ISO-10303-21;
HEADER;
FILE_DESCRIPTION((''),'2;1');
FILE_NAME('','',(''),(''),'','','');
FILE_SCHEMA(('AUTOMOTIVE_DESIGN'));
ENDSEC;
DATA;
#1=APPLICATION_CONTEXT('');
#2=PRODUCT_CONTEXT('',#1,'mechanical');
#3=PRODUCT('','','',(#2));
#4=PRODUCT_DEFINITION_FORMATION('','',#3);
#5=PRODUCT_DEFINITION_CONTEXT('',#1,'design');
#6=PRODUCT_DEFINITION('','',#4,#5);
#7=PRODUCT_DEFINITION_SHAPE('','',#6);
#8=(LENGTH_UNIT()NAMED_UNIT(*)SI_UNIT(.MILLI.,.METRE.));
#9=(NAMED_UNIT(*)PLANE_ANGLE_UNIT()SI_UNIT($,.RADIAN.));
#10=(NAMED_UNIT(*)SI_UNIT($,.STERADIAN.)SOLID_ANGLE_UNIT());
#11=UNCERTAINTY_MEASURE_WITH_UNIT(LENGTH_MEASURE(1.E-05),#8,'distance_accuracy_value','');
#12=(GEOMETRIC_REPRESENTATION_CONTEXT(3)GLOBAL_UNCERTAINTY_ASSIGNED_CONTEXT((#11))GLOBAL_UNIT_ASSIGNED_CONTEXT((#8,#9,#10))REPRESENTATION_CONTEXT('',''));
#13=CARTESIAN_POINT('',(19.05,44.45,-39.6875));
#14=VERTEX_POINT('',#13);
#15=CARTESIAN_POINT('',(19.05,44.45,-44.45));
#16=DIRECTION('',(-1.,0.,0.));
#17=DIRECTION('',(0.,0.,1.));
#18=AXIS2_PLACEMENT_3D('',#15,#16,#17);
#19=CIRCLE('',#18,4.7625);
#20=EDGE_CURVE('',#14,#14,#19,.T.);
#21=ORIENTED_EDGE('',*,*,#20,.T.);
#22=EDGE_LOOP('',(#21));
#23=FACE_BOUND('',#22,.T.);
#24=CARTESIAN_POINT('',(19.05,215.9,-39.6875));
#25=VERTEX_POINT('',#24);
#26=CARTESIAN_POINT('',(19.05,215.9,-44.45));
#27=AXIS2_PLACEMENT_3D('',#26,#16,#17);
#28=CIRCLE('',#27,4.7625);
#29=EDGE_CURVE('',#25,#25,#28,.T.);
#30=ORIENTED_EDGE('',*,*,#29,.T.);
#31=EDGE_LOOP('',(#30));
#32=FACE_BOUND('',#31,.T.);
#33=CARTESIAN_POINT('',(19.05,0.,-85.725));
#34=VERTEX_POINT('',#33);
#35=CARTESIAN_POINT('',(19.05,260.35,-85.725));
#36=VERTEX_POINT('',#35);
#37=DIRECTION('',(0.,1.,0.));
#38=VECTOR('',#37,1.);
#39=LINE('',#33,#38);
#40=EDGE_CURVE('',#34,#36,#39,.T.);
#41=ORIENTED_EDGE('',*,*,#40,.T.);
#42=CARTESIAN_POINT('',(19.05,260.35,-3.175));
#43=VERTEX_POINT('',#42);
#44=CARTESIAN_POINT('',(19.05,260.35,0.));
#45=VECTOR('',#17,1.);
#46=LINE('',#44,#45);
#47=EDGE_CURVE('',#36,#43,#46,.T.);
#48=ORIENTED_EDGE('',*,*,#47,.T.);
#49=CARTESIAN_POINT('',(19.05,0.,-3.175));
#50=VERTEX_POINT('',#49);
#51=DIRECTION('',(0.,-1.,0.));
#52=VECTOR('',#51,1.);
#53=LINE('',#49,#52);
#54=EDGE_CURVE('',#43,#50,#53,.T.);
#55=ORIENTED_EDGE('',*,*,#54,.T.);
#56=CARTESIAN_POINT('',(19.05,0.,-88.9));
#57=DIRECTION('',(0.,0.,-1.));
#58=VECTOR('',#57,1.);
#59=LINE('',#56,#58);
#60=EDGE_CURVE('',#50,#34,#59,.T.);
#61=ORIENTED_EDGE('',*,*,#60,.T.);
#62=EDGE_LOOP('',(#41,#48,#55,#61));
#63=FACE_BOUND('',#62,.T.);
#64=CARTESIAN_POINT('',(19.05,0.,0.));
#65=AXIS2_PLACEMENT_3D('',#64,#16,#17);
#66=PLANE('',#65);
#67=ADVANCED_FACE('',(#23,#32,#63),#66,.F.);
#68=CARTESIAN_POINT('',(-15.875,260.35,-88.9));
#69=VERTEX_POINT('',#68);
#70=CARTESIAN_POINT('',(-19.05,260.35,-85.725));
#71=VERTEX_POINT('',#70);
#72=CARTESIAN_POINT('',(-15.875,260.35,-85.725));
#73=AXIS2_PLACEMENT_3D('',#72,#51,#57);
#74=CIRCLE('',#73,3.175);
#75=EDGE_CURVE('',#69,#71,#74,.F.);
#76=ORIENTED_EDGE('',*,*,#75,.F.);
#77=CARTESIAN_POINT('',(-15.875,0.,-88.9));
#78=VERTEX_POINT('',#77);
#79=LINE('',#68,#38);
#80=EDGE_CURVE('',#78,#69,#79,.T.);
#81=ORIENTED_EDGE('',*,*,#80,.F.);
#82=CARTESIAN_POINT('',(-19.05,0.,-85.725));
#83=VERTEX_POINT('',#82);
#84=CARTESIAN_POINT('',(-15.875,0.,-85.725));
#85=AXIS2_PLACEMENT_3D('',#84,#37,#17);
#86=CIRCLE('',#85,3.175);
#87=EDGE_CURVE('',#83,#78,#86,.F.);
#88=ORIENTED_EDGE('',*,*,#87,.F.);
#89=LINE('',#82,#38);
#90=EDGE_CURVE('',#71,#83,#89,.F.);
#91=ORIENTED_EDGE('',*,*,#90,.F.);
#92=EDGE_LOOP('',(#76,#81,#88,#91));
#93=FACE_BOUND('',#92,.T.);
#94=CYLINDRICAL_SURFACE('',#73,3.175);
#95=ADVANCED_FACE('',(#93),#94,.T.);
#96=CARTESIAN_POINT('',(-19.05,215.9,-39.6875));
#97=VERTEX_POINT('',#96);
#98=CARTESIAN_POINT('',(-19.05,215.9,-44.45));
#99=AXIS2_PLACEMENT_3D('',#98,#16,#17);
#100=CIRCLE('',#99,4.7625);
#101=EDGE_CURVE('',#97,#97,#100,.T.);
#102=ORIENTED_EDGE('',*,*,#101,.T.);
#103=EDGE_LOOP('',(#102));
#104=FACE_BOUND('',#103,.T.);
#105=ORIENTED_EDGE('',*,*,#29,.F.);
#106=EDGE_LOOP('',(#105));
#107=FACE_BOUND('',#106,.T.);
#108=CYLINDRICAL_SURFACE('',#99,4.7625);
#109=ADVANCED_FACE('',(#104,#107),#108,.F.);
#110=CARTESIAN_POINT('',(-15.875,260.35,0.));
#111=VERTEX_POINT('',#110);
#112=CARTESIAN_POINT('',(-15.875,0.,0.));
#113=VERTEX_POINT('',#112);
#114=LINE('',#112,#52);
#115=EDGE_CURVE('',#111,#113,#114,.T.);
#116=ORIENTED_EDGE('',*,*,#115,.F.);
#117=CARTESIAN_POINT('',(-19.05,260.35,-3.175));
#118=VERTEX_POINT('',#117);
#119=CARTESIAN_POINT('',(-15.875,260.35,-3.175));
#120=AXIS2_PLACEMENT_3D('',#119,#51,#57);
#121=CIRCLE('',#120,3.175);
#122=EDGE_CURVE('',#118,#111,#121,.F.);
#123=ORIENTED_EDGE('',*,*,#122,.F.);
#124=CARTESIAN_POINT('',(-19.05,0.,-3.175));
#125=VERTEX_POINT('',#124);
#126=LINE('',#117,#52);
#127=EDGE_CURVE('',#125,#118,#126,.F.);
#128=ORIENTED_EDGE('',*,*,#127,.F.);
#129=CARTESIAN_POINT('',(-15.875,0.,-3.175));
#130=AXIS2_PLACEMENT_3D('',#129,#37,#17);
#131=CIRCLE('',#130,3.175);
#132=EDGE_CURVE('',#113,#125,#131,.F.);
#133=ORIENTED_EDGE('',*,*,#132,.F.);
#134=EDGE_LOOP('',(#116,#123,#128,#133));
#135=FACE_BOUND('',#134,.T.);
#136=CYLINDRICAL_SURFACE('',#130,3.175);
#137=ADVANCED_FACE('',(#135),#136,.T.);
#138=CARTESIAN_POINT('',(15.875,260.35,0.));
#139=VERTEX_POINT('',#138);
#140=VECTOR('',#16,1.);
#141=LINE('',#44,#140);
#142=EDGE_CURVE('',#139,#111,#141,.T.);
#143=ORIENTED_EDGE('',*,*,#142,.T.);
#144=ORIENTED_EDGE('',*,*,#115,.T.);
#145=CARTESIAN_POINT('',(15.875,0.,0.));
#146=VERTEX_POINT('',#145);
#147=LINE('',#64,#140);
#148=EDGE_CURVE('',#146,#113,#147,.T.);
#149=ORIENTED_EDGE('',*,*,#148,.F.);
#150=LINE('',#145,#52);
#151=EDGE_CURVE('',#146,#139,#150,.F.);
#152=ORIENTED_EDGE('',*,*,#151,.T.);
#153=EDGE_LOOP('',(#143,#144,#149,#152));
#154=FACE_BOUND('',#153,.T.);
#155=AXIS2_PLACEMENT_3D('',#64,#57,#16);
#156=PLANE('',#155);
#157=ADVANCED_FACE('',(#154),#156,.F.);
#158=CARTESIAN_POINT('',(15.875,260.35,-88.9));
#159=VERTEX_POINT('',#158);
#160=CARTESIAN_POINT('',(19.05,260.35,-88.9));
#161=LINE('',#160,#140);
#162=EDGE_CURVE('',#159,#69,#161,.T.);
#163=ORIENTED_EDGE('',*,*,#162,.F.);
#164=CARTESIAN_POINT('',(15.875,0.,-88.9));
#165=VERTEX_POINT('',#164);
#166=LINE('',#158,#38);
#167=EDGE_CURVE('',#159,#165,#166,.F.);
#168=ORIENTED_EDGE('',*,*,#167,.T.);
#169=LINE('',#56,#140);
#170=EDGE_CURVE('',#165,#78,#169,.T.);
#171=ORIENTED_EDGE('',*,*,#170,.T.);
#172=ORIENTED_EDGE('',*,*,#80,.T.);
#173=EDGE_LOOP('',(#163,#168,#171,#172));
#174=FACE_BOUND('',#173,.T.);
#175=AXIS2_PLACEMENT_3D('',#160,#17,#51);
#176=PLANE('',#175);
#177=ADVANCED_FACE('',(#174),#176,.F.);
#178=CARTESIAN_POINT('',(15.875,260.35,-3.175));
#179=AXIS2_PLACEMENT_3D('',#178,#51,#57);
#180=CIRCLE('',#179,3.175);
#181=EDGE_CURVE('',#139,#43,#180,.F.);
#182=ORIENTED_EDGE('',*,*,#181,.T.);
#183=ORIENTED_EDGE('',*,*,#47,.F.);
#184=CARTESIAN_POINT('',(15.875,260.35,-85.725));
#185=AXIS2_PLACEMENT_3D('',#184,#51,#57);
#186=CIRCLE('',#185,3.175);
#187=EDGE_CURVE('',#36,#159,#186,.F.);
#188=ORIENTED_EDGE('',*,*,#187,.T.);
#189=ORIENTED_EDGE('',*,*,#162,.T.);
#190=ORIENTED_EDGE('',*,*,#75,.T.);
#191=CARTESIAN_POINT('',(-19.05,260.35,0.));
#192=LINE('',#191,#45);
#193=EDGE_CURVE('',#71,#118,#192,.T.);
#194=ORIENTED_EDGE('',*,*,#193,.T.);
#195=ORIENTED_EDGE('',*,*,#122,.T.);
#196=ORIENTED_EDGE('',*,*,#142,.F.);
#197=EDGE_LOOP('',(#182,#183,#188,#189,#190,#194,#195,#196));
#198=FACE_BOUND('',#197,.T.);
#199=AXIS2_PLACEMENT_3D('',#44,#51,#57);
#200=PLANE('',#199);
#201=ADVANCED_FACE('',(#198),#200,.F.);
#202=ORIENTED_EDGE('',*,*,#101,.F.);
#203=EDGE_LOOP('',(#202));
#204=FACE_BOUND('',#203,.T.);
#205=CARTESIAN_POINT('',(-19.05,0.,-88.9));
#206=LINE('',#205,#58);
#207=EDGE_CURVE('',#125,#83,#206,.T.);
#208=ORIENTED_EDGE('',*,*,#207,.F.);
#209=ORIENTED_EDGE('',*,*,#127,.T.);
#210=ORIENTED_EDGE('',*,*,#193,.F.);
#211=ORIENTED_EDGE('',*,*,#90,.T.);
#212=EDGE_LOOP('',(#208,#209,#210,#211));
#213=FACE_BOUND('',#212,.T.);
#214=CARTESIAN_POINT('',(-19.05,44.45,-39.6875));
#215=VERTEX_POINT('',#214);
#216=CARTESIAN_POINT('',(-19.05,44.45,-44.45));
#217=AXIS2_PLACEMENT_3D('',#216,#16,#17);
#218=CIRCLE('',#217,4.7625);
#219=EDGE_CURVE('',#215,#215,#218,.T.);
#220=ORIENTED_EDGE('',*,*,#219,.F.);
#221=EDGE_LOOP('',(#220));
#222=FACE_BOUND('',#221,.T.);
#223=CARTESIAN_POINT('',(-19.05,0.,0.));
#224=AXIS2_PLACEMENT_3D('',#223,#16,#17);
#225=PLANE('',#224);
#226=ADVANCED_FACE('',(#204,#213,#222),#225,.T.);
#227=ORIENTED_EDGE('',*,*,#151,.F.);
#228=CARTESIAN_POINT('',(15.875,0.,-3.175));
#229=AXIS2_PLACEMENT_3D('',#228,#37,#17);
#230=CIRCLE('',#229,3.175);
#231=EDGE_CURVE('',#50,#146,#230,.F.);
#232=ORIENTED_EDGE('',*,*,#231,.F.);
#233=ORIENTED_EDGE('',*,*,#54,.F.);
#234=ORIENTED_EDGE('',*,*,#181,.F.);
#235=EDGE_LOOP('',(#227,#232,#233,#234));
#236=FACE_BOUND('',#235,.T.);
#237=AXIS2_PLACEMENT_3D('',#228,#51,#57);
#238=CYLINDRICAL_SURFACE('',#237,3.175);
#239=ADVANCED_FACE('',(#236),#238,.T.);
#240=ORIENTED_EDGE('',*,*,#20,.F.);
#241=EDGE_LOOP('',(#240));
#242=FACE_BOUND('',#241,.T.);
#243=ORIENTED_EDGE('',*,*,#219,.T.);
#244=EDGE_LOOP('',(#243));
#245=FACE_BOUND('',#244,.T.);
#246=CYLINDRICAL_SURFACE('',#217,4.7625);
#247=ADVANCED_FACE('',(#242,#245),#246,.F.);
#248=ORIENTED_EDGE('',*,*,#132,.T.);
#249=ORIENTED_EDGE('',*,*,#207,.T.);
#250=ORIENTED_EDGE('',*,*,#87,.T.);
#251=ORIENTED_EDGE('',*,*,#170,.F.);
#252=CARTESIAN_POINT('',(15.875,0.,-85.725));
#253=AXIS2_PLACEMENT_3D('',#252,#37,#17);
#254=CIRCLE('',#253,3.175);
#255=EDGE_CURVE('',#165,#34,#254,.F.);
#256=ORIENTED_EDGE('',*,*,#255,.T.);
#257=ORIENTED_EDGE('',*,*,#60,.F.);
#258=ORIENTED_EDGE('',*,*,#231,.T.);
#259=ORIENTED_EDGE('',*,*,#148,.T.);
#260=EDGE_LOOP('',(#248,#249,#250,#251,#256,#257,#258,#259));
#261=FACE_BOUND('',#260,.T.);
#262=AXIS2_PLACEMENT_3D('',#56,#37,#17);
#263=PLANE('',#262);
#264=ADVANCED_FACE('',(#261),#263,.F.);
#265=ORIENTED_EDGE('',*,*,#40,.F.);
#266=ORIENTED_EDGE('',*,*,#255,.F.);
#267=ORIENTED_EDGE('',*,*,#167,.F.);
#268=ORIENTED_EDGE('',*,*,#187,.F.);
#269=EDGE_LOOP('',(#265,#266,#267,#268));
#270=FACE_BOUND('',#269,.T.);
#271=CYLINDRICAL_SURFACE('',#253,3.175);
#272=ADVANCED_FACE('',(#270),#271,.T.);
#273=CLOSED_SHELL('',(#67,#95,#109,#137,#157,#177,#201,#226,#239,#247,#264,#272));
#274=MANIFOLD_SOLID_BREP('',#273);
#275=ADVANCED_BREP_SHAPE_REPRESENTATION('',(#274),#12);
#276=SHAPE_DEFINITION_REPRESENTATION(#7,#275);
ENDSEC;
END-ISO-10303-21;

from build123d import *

# Parameters (mm, degrees)
SKETCH1_W                  = 88.9
SKETCH1_H                  = 260.35
BOSS_EXTRUDE1_DEPTH        = 19.05
FILLET1_R                  = 3.175
F_3_8_0_3750_DOWEL_HOLE1_D = 9.525


with BuildPart() as part:
    # Sketch1 → Boss-Extrude1 (new, symmetric)
    with BuildSketch(Plane(origin=(0, 0, 0), x_dir=(0, 0, -1), z_dir=(1, 0, 0))):
        with Locations((44.45, 130.175)):
            Rectangle(SKETCH1_W, SKETCH1_H)
    extrude(amount=BOSS_EXTRUDE1_DEPTH, both=True)

    # Fillet1
    fillet1_edges = [part.edges().sort_by_distance(p)[0] for p in [
        (19.05, 130.175, 0),
        (-19.05, 130.175, 0),
        (-19.05, 130.175, -88.9),
        (19.05, 130.175, -88.9),
    ]]
    fillet(fillet1_edges, radius=FILLET1_R)

    # 3/8 (0.3750) Dowel Hole1 (through all)
    with Locations(Plane.ZY.offset(19.05)):
        with Locations((-44.45, 215.9), (-44.45, 44.45)):
            Hole(F_3_8_0_3750_DOWEL_HOLE1_D / 2)


solid = part.part
